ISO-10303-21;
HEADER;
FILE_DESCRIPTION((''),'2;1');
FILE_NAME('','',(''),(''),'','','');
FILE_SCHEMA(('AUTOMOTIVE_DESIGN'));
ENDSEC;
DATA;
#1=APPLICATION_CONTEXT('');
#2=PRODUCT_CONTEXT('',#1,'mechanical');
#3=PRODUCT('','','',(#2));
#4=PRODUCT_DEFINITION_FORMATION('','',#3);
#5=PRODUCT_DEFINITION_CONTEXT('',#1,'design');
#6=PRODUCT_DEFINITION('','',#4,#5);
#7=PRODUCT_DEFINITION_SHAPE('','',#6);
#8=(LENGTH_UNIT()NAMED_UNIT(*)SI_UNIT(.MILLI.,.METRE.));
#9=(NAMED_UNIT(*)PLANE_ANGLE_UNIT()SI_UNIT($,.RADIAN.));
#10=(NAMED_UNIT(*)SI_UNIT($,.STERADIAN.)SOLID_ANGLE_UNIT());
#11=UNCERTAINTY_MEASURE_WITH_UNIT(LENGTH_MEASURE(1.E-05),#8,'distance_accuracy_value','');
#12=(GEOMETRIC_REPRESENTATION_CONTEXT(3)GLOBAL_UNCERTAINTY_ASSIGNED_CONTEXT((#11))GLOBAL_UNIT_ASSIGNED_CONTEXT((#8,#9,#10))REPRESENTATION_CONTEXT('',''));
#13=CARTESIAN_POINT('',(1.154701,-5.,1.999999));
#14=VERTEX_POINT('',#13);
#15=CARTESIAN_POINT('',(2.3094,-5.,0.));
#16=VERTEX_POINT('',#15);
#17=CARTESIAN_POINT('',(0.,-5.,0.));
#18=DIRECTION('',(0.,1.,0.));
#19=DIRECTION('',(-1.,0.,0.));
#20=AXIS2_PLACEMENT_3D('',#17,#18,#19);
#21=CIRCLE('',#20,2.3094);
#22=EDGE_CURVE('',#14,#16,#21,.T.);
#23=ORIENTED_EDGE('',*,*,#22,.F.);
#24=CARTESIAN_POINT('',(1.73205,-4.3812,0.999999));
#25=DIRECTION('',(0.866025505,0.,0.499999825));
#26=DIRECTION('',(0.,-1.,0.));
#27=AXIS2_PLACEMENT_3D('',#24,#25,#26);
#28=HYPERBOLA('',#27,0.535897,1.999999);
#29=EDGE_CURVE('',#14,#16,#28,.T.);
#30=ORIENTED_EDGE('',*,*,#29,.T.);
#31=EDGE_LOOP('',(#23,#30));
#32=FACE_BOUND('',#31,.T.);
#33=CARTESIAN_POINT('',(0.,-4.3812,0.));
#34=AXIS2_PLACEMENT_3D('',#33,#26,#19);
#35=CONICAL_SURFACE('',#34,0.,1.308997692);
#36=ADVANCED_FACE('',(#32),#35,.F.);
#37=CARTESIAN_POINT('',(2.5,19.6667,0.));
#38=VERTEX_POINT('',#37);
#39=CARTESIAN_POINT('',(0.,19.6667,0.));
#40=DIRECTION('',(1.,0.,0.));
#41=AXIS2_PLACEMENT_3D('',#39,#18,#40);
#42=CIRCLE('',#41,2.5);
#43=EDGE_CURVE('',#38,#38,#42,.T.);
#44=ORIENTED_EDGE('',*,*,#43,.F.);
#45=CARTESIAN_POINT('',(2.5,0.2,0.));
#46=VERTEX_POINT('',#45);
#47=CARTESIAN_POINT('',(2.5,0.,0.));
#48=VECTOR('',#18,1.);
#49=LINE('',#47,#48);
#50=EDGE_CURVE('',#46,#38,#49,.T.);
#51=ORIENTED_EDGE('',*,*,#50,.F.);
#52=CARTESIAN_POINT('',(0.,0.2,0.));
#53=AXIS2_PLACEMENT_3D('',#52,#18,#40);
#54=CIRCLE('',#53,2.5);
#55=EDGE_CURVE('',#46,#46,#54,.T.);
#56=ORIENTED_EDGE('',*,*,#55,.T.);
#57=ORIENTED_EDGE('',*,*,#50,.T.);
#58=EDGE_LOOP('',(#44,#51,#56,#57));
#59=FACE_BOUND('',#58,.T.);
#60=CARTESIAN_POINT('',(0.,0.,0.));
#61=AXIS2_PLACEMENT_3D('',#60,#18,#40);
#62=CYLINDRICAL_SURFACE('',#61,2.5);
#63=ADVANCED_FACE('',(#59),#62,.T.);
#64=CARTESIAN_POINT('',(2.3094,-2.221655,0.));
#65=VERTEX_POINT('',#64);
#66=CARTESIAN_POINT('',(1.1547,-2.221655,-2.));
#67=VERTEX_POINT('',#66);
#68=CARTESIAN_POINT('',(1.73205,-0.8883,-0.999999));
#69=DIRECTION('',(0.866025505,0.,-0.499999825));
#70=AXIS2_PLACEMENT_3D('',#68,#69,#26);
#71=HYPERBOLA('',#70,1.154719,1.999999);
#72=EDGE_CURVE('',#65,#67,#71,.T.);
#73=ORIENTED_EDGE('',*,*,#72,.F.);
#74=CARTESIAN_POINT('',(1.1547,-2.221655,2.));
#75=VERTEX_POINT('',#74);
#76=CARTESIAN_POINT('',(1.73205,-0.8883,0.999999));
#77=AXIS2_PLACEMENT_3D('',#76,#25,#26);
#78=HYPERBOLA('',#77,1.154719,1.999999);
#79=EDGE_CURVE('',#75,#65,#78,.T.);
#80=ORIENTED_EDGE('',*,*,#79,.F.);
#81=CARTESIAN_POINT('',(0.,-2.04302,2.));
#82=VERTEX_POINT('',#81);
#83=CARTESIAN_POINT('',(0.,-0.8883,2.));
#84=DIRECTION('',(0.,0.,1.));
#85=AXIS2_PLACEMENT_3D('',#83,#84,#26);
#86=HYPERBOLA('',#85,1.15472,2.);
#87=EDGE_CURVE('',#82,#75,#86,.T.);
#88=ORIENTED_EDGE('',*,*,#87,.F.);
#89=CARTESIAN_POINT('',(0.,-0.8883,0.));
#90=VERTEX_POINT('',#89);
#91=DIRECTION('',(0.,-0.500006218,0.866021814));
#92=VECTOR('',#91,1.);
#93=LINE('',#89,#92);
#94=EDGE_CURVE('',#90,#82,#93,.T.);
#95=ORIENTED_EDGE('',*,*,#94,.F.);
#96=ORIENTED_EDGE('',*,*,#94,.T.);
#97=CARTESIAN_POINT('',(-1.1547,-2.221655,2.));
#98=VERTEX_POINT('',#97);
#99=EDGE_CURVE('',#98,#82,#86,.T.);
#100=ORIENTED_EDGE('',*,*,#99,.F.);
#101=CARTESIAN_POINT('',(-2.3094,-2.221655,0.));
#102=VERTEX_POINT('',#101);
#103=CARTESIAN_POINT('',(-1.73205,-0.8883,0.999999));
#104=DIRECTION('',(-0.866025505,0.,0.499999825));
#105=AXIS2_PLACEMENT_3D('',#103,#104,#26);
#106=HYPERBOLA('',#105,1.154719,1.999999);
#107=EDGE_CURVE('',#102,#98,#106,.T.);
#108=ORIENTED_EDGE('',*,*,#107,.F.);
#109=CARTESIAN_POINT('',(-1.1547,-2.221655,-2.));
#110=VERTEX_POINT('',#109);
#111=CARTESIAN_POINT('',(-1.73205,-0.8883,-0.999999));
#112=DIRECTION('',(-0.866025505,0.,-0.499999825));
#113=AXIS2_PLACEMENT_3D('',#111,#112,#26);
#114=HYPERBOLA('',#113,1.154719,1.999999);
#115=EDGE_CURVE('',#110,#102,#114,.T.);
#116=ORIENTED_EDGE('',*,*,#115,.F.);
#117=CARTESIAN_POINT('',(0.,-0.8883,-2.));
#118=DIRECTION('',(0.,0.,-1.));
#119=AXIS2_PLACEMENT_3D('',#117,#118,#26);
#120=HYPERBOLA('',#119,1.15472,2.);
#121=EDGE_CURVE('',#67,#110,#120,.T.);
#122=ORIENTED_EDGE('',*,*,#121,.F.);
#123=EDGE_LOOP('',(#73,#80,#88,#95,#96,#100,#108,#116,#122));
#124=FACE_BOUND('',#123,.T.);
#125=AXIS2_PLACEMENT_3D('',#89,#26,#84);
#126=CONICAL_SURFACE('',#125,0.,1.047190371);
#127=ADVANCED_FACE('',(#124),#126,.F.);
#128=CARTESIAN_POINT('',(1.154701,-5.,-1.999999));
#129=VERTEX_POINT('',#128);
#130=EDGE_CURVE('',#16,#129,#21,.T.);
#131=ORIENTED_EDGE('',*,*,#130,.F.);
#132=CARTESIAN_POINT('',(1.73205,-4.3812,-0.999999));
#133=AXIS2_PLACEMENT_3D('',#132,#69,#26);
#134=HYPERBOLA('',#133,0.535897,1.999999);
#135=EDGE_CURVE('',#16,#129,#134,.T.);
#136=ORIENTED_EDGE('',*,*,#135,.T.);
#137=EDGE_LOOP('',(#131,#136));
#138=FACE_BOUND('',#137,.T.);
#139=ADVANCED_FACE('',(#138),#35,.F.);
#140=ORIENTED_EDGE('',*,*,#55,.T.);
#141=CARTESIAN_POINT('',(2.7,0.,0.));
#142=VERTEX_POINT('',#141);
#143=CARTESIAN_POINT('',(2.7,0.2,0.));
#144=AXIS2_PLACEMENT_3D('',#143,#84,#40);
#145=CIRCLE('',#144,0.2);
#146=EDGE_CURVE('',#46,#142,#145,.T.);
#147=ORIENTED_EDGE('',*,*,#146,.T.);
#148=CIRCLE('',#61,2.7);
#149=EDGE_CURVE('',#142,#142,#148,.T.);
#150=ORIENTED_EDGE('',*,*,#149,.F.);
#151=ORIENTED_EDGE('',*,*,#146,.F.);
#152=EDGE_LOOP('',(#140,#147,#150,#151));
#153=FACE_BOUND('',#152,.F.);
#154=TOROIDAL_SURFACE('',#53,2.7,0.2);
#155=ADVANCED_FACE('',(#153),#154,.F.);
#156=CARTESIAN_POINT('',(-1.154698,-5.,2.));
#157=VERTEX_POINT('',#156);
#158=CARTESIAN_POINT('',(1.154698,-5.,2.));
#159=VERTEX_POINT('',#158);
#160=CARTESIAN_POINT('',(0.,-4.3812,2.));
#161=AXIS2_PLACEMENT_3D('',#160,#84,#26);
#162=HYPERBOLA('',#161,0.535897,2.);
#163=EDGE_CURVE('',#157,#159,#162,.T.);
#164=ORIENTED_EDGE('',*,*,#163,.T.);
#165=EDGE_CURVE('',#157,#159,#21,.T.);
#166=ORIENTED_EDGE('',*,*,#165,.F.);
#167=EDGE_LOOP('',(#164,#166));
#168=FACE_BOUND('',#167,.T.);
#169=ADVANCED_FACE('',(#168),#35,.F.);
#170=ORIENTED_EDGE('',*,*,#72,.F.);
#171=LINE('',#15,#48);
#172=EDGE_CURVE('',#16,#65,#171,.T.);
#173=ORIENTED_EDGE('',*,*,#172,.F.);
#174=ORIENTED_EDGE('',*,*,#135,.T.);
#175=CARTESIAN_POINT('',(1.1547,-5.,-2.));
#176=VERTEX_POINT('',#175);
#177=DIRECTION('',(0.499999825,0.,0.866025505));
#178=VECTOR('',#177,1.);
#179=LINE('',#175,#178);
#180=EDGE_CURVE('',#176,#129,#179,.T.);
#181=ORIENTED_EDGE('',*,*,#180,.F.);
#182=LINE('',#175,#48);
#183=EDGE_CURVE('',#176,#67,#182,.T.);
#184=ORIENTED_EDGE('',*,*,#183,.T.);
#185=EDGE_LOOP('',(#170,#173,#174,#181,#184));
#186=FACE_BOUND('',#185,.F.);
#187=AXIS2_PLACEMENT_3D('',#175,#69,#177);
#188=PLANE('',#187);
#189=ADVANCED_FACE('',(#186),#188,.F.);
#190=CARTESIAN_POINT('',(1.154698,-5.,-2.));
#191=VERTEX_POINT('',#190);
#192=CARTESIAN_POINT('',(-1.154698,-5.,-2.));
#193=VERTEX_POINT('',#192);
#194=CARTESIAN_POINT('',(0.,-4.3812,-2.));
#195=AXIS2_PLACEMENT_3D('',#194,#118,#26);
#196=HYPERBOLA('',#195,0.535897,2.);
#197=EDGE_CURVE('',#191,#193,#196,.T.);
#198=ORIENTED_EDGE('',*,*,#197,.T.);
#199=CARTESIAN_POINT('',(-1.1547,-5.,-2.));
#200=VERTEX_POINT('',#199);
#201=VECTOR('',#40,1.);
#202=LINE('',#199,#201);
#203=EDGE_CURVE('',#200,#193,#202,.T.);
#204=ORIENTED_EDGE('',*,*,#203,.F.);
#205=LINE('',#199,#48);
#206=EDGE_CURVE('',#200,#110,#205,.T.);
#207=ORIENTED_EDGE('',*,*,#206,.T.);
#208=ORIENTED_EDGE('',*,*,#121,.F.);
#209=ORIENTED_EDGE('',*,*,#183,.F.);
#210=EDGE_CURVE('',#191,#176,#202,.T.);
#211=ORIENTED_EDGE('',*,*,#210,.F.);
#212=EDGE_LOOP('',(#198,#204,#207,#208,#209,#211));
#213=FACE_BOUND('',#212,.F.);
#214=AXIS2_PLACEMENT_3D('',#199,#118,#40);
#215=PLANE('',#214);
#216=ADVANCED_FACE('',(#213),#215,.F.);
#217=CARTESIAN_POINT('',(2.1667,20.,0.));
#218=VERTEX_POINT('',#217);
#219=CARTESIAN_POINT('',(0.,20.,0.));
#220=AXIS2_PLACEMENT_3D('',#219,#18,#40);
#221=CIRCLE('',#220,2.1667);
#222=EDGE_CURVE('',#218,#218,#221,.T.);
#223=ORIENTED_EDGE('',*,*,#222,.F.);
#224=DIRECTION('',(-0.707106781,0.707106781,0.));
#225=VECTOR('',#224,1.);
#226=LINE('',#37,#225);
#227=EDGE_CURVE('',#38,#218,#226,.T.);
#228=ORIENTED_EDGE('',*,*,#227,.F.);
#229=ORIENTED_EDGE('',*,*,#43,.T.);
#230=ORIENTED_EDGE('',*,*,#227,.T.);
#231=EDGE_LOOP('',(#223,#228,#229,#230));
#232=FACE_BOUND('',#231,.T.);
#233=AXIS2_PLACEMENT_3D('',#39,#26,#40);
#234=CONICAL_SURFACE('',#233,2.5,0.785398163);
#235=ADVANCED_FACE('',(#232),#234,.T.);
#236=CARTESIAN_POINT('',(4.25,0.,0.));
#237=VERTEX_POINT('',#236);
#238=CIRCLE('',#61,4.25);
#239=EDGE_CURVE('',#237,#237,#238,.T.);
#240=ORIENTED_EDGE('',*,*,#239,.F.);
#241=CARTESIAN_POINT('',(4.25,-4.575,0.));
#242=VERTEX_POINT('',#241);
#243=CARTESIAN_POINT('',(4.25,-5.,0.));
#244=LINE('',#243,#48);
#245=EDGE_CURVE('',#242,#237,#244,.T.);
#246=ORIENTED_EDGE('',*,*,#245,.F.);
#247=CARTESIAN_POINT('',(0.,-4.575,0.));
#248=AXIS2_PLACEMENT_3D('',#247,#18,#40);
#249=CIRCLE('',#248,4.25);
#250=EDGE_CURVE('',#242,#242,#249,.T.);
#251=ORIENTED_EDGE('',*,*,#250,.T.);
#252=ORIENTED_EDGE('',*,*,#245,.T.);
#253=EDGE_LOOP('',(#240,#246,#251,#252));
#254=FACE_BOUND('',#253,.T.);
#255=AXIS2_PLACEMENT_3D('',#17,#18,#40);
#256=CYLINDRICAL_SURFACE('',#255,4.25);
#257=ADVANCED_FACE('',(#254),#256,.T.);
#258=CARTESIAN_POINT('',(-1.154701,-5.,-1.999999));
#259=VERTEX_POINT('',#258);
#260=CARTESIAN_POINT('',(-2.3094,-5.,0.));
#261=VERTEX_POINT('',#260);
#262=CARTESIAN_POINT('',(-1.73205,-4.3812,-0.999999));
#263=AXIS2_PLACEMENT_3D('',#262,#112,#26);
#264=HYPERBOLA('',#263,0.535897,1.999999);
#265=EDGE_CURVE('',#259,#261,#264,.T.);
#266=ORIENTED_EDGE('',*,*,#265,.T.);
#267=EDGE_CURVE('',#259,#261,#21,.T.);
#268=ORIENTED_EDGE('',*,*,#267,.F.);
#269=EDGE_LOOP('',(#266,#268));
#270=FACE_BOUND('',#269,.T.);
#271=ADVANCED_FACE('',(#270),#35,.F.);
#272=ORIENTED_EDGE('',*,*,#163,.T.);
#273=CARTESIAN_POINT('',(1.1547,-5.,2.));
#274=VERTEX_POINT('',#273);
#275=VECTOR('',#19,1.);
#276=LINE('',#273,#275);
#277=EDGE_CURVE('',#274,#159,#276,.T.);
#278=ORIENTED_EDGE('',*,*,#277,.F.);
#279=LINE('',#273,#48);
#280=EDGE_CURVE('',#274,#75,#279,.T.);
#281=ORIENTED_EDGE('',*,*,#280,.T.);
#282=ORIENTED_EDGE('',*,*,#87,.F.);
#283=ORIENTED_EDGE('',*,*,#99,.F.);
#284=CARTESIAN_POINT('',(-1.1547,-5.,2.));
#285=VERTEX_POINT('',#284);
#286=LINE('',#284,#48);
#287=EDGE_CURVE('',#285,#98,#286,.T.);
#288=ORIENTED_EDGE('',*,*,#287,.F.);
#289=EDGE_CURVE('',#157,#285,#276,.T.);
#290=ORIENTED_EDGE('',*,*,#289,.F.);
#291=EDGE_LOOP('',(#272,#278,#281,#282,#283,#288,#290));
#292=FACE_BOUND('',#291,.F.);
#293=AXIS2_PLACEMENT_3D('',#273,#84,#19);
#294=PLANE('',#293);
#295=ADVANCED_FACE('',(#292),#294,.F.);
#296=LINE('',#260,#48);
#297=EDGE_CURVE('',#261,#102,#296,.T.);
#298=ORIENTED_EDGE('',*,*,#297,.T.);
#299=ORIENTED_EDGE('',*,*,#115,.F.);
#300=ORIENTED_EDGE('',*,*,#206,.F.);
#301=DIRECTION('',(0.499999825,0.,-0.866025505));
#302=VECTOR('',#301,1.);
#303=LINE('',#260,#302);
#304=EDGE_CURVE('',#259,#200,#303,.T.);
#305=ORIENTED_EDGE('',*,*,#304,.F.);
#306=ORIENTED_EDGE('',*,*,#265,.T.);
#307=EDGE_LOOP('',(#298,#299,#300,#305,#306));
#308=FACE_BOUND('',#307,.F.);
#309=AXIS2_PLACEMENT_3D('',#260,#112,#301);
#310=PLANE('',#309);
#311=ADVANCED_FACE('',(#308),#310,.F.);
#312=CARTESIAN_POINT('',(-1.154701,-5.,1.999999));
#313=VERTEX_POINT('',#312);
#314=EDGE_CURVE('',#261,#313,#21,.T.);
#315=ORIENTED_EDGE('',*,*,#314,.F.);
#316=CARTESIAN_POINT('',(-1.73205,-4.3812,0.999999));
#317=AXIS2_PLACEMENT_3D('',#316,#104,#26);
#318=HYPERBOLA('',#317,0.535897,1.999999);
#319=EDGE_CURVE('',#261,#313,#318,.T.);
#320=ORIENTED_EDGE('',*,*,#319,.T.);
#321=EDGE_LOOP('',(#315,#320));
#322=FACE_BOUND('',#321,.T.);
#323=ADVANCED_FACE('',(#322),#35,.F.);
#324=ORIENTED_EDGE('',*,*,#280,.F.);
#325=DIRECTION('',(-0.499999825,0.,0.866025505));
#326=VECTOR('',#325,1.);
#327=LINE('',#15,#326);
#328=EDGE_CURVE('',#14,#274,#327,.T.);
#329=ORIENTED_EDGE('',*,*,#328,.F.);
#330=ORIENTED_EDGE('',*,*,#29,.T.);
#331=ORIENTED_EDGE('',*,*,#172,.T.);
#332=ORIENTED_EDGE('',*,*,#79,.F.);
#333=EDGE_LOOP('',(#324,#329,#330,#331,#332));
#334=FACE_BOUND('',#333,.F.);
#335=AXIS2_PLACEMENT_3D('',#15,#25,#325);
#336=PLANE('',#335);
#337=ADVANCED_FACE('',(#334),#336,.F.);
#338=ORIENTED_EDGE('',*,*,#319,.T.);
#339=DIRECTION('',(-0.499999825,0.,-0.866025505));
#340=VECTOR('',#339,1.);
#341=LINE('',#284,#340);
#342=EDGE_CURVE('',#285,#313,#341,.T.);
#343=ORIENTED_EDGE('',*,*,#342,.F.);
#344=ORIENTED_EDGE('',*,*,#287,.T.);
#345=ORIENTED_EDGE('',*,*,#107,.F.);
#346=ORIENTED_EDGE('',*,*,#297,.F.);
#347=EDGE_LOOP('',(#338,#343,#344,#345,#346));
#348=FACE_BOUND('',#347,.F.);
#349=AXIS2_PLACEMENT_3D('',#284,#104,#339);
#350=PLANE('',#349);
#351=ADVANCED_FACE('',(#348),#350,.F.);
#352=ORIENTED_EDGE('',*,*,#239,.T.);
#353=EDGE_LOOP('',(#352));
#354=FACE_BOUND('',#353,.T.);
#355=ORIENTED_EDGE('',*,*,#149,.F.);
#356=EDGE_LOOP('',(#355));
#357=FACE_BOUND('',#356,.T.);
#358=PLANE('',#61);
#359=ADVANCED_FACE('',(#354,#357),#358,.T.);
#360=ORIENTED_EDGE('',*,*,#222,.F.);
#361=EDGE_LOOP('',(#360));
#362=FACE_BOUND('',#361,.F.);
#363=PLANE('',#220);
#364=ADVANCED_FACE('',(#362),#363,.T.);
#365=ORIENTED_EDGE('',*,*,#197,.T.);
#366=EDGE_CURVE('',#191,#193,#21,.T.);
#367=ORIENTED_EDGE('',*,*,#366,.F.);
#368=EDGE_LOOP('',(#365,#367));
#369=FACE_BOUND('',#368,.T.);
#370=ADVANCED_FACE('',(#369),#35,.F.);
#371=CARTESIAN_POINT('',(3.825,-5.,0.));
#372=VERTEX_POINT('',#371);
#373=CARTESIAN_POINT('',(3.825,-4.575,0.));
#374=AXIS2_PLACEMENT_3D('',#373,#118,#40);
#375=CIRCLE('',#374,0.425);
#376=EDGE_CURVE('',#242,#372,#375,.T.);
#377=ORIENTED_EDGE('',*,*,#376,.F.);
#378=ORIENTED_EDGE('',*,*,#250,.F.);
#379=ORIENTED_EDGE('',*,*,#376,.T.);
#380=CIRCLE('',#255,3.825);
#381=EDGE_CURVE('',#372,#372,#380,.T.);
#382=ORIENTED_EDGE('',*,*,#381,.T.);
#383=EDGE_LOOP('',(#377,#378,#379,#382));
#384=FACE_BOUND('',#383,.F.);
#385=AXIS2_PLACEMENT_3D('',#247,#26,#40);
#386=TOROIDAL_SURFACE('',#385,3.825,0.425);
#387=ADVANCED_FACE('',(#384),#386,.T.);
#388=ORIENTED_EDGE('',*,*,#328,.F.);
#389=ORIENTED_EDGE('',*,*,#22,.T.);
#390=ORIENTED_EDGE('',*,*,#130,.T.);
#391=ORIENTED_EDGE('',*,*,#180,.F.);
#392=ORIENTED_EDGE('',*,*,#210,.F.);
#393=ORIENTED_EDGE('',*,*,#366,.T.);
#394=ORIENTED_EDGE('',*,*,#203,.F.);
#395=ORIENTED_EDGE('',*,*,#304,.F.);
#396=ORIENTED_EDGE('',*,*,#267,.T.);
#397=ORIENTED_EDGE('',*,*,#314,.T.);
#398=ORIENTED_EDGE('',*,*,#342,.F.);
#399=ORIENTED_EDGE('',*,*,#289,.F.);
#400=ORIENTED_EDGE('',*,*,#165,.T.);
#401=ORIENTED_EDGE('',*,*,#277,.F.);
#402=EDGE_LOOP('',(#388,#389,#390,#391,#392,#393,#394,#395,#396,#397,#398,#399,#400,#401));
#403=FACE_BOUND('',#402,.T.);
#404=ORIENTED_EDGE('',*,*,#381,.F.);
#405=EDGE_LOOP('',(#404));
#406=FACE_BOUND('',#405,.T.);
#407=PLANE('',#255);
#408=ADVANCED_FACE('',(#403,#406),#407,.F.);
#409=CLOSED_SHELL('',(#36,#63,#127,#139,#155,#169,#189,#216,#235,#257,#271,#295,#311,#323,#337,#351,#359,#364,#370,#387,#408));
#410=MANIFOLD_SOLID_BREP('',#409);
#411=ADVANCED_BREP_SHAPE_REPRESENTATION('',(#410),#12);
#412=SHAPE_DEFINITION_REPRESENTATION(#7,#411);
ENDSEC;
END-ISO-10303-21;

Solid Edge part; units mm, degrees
sketch "Sketch1" plane through (0, 0, 0) normal (0, 0, 1) x (1, 0, 0)
  line L0 (2.5, 0) -> (2.5, 20)
  line L1 (0, 20) -> (2.5, 20)
  line L2 (0, 0) -> (0, 20)
  line L3 (0, 0) -> (0, -5)
  line L4 (0, -5) -> (4.25, -5)
  line L5 (4.25, -5) -> (4.25, 0)
  line L6 (4.25, 0) -> (2.5, 0)
revolve "RevolvedProtrusion1" add sketch "Sketch1" angle 360 about axis through (0, 0, 0) along (0, 1, 0)
sketch "Sketch2" plane through (0, 0, 0) normal (1, 0, 0) x (0, 1, 0)
  line L0 (-5, 2.7915) -> (-2.5, 2.7915)
  line L1 (-0.8883, 0) -> (-2.5, 2.7915)
  line L2 (-5, 0) -> (-0.8883, 0)
  line L3 (-5, 0) -> (-5, 2.7915)
revolve "RevolvedCutout1" cut sketch "Sketch2" angle 360 about axis through (0, -4.5, 0) along (0, 1, 0)
sketch "Sketch3" plane through (0, -5, 0) normal (0, -1, 0) x (0, 0, 1)
  circle A0 centre (0, 0) radius 2.7915
  line L0 (-2, -1.1547) -> (0, -2.3094)
  line L1 (0, -2.3094) -> (2, -1.1547)
  line L2 (2, -1.1547) -> (2, 1.1547)
  line L3 (2, 1.1547) -> (0, 2.3094)
  line L4 (0, 2.3094) -> (-2, 1.1547)
  line L5 (-2, 1.1547) -> (-2, -1.1547)
  dimension "D1" = 4
extrude "Protrusion1" add sketch "Sketch3" against normal up to next
sketch "Sketch4" plane through (0, 0, 0) normal (0, 0, 1) x (1, 0, 0)
  line L0 (-2.3094, -5) -> (0, -5)
  line L1 (0, -5) -> (0, -4.3812)
  line L2 (0, -4.3812) -> (-2.3094, -5)
revolve "RevolvedCutout2" cut sketch "Sketch4" angle 360 about axis through (0, -4.5, 0) along (0, 1, 0)
fillet "Round1" radius 0.2 1 edges at (0, 0, -2.5)
fillet "Round2" radius 0.425 1 edges at (0, -5, -4.25)
chamfer "倒斜角_2" distance 0.3333 angle 45 1 edges at (0, 20, -2.5)
cosmetic_thread "螺纹_3" size "M5" thread depth 16
